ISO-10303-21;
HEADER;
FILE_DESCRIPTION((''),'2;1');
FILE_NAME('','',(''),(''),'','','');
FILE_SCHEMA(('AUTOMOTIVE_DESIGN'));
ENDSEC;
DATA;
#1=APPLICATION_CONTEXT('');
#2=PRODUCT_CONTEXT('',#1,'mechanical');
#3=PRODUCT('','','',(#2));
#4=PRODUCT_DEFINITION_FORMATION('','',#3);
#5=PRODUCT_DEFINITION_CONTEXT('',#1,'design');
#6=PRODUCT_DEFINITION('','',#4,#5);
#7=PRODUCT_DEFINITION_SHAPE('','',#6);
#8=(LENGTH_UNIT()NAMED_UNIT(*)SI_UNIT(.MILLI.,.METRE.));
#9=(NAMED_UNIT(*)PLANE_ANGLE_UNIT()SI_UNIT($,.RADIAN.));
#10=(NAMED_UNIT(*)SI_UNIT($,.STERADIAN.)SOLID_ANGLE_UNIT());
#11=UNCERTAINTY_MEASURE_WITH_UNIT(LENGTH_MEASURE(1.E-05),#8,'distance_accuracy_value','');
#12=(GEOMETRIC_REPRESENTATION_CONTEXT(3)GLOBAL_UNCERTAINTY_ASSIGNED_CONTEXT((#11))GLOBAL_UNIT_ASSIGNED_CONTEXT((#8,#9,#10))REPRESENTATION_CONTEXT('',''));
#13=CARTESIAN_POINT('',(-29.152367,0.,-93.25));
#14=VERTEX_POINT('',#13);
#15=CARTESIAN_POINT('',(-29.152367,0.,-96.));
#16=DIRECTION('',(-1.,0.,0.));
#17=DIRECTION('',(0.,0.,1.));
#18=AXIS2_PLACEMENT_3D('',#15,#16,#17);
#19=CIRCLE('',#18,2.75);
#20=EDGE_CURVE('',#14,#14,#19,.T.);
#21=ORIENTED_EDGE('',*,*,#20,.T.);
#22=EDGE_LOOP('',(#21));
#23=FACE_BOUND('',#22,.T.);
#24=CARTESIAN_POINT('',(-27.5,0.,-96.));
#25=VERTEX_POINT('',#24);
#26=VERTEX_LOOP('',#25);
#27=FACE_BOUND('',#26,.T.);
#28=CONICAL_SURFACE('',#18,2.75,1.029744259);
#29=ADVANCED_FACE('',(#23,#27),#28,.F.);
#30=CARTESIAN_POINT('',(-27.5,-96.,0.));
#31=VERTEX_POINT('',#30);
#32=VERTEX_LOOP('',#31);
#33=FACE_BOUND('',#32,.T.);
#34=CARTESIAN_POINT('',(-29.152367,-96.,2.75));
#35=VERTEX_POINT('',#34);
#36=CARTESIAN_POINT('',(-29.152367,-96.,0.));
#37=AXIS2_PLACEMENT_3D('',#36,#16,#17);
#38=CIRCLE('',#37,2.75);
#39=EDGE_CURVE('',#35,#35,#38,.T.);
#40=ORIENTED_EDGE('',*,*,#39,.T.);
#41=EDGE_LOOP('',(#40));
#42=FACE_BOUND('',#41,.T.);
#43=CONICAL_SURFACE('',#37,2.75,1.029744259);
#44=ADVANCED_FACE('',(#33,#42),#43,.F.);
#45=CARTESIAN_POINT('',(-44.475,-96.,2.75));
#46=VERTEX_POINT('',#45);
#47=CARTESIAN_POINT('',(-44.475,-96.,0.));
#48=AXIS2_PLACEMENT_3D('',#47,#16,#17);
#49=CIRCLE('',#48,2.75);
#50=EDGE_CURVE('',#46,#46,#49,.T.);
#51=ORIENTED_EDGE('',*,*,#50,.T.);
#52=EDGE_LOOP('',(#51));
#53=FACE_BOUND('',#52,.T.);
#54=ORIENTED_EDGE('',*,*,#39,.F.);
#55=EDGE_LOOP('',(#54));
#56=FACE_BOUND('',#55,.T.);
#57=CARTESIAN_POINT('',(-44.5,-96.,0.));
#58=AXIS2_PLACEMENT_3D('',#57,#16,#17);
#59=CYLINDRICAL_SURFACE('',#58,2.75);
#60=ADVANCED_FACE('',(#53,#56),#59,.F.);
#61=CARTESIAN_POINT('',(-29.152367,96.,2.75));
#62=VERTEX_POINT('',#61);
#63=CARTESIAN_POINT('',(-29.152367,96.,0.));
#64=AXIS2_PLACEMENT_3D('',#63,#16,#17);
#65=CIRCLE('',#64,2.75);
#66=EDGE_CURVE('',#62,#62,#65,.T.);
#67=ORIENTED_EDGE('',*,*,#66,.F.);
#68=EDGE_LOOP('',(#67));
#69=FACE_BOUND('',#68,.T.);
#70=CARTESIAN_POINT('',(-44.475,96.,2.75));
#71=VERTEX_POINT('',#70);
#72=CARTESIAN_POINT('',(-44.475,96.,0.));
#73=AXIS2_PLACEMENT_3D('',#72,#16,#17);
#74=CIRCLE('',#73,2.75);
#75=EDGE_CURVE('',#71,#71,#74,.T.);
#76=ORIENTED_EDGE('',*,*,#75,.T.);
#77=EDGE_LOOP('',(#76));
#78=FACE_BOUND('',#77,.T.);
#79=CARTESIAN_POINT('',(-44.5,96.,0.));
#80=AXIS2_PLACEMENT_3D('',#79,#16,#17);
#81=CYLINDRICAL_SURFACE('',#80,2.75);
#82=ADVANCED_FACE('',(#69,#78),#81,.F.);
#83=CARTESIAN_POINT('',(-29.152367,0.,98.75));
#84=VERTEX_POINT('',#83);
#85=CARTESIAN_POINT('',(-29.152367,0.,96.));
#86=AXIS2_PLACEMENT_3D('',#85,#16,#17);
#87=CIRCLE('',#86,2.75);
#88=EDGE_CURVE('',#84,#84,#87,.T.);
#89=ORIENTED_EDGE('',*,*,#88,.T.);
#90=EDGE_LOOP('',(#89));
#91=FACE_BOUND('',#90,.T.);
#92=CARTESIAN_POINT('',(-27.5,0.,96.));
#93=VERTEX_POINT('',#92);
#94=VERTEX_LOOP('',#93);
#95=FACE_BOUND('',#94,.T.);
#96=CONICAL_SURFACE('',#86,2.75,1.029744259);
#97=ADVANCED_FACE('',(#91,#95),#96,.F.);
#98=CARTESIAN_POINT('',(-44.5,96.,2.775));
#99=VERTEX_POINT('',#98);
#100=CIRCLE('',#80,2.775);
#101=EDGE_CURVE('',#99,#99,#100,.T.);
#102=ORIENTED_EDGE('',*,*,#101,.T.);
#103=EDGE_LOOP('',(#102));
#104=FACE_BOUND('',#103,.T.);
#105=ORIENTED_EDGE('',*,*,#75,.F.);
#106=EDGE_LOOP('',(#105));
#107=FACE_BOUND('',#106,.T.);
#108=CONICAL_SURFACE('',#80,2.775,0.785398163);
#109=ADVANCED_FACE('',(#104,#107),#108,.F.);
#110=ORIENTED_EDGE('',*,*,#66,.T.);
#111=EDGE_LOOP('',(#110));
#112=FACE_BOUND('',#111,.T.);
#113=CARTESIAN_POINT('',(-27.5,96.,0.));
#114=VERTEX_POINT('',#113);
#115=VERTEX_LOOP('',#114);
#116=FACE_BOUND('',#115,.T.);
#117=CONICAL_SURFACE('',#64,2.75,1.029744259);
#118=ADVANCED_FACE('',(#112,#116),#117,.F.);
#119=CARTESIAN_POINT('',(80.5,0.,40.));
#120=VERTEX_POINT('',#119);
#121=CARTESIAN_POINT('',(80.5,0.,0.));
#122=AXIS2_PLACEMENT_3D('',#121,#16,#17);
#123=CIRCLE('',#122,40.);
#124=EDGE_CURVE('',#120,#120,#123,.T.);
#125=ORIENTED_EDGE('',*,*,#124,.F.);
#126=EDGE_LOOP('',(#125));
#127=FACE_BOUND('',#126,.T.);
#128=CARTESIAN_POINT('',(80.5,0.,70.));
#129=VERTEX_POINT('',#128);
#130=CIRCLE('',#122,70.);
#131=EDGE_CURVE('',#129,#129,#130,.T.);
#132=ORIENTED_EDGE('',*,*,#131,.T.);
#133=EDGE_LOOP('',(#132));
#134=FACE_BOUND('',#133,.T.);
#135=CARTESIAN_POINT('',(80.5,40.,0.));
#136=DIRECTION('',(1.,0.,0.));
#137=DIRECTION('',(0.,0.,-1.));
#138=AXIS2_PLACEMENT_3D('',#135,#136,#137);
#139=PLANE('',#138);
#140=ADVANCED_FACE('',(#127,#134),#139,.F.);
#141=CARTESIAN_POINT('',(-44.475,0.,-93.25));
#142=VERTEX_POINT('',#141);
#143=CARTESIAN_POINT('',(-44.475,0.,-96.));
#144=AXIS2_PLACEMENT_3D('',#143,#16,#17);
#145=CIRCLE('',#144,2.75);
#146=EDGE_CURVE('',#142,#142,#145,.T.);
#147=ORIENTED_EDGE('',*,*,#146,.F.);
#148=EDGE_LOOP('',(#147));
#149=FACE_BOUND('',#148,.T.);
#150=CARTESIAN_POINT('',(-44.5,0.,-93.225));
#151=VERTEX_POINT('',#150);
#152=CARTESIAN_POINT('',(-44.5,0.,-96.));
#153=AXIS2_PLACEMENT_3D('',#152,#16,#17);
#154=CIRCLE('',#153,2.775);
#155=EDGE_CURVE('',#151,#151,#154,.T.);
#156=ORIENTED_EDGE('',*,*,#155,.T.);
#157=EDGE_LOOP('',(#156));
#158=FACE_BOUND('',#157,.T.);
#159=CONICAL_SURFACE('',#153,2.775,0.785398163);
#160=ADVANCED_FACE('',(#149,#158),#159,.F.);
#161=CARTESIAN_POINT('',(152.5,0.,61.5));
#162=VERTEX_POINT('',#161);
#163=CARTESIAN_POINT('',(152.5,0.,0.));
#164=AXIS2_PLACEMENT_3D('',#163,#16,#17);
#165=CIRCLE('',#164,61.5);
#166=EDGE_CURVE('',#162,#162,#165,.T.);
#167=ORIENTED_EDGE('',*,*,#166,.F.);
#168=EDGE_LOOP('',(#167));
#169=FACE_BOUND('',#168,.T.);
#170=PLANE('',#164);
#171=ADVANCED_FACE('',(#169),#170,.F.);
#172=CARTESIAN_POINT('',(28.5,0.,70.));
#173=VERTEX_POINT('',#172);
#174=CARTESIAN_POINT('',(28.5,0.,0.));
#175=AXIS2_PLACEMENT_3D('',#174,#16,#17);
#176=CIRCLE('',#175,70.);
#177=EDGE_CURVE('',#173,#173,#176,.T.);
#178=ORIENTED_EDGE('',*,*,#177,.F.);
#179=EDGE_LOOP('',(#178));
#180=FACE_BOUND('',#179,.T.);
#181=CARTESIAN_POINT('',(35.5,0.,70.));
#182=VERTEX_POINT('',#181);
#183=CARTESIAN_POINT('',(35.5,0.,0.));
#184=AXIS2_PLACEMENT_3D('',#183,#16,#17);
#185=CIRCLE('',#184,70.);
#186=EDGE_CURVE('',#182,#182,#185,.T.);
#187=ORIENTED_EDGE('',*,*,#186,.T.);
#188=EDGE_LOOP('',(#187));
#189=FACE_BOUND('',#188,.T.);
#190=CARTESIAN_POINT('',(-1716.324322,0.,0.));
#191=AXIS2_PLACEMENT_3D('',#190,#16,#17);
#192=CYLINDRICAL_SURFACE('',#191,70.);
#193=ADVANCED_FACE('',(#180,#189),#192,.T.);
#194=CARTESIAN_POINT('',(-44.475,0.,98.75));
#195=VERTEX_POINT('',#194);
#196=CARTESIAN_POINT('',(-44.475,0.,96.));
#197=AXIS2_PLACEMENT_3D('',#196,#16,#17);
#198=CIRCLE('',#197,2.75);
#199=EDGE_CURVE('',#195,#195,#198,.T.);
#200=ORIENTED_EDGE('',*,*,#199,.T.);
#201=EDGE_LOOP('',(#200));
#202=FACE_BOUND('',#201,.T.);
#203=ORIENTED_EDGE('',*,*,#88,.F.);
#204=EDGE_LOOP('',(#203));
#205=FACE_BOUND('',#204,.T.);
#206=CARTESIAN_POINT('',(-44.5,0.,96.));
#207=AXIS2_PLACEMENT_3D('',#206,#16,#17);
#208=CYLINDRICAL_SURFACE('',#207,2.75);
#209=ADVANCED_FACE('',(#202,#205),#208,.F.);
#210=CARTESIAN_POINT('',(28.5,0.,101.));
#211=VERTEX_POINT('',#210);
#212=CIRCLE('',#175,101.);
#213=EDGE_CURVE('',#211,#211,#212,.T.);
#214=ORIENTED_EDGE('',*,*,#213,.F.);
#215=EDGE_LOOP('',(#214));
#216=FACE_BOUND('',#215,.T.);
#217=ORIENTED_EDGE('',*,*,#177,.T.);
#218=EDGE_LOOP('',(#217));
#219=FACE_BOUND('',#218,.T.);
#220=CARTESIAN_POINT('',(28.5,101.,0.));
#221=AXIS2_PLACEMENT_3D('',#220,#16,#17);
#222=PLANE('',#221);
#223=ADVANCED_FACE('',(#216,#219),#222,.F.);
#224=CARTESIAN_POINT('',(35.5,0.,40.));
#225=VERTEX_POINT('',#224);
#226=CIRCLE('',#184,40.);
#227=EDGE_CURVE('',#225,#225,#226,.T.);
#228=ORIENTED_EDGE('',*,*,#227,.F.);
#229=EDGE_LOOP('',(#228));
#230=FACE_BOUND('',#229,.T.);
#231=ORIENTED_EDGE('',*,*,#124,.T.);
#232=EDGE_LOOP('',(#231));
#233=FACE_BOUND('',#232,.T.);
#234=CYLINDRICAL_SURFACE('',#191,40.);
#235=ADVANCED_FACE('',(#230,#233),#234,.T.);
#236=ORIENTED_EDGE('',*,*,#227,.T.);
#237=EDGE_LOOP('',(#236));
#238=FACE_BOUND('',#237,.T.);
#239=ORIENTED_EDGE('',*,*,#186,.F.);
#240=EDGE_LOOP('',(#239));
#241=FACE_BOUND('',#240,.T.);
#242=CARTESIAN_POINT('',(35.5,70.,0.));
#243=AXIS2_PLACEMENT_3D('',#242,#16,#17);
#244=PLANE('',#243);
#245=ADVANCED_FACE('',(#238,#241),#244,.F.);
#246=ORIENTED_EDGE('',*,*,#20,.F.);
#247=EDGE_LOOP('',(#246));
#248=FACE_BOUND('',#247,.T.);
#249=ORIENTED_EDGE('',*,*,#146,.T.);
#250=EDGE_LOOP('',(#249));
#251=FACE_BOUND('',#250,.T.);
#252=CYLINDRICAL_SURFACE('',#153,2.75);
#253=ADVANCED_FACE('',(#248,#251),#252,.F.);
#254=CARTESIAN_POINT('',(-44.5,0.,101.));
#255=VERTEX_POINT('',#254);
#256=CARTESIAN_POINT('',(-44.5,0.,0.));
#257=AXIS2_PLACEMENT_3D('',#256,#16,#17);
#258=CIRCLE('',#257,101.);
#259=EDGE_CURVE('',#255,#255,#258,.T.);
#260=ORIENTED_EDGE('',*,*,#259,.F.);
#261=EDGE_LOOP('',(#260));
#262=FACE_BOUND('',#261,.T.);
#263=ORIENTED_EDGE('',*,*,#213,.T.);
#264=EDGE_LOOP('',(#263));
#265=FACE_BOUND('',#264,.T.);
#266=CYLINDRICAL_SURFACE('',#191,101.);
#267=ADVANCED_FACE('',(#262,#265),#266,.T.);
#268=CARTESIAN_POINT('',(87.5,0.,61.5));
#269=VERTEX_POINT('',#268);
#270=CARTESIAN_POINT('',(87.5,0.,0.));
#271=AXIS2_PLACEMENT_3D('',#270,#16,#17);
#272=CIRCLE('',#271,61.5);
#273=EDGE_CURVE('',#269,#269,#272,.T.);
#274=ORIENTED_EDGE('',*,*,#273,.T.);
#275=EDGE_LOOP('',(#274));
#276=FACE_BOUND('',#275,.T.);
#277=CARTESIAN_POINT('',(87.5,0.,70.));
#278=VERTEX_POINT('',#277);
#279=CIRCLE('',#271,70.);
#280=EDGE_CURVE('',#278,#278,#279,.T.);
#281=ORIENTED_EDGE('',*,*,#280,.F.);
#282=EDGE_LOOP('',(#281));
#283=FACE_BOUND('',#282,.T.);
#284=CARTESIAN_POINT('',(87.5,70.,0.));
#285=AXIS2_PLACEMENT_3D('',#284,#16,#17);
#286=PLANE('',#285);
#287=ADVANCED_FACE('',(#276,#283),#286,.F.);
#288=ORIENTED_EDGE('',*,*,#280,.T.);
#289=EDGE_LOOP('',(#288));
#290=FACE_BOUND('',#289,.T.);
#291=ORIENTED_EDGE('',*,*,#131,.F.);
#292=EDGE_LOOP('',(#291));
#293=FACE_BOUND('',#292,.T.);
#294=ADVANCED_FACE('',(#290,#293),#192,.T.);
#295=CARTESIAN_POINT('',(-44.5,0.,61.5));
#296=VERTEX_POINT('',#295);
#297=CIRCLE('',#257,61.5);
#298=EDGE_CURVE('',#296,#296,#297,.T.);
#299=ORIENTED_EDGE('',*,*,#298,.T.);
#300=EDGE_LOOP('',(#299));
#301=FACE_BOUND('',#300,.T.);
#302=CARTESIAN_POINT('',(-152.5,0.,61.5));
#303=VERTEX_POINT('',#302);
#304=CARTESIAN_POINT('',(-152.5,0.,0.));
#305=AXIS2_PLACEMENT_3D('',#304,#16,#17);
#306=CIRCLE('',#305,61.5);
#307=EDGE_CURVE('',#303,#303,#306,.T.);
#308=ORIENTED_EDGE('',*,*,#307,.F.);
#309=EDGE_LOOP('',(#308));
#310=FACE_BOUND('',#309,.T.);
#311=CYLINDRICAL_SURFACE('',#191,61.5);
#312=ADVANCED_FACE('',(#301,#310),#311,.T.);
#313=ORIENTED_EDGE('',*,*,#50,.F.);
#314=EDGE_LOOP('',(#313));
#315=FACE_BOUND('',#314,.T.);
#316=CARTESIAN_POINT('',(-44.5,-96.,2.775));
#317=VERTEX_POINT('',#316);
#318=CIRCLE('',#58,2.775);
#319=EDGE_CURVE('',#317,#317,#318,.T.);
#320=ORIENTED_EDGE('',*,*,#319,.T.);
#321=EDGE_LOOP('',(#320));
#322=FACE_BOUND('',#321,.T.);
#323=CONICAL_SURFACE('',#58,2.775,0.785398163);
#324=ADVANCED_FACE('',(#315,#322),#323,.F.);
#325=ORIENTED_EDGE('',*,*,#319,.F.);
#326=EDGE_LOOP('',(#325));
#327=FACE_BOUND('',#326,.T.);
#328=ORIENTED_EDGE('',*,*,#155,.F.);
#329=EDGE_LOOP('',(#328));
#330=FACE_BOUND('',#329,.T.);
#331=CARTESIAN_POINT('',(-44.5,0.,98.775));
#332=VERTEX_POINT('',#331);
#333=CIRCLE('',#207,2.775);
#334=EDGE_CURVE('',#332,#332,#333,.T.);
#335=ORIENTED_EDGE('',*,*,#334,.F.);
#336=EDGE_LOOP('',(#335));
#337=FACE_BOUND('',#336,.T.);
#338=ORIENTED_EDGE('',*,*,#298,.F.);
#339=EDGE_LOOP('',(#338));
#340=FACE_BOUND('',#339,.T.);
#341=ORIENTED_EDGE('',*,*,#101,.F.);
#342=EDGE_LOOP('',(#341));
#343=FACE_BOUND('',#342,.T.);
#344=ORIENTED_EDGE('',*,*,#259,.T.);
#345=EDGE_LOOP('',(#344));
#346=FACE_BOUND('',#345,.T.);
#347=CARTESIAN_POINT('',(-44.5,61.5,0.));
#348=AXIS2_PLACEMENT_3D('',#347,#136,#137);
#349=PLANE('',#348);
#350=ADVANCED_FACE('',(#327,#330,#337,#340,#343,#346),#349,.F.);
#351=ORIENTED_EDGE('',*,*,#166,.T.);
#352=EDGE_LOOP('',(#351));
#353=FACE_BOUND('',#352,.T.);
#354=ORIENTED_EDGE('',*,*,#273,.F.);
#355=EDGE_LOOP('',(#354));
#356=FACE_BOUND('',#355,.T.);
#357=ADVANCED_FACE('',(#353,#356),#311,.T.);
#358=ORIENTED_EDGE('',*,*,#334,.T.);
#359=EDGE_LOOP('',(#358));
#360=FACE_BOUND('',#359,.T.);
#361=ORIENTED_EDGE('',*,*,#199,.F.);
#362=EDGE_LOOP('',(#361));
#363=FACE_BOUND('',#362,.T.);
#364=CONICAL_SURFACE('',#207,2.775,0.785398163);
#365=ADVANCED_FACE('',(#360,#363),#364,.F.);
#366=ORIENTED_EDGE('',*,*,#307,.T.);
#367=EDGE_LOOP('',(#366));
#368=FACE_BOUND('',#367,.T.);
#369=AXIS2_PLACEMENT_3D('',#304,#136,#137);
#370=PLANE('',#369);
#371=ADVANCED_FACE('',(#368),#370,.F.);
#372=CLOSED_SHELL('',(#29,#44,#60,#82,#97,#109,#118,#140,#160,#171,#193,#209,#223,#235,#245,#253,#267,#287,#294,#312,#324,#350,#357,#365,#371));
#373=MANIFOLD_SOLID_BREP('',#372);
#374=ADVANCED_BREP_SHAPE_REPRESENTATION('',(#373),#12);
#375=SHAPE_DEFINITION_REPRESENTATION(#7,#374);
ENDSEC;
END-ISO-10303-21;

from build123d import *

# Parameters (mm, degrees)
FORO_PER_VITE_M5_1_D           = 5.5
FORO_PER_VITE_M5_1_DEPTH       = 15.347633298
FORO_PER_VITE_M5_1_CSINK_D     = 5.55
FORO_PER_VITE_M5_1_CSINK_ANGLE = 90
FORO_PER_VITE_M5_1_TIP         = 1.652366702


with BuildPart() as part:
    # Schizzo1 → Rivoluzione1 (revolve)
    with BuildSketch(Plane.XY, mode=Mode.PRIVATE) as rivoluzione1_sk:
        Polygon((-152.5, 0), (152.5, 0), (152.5, 61.5), (87.5, 61.5), (87.5, 70), (80.5, 70), (80.5, 40), (35.5, 40), (35.5, 70), (28.5, 70), (28.5, 101), (-44.5, 101), (-44.5, 61.5), (-152.5, 61.5), align=None)
    revolve(rivoluzione1_sk.sketch.rotate(Axis((-1716.324322208, 0, 0), (1, 0, 0)), 90), axis=Axis((-1716.324322208, 0, 0), (1, 0, 0)))

    # Foro per Vite M5-1
    with Locations(Plane(origin=(-44.5, 96, 0), x_dir=(0, 0, -1), z_dir=(-1, 0, 0))):
        with Locations((0, 0), (-96, 96), (0, 192), (96, 96)):
            CounterSinkHole(FORO_PER_VITE_M5_1_D / 2, FORO_PER_VITE_M5_1_CSINK_D / 2, depth=FORO_PER_VITE_M5_1_DEPTH, counter_sink_angle=FORO_PER_VITE_M5_1_CSINK_ANGLE)
            with Locations((0, 0, -(FORO_PER_VITE_M5_1_DEPTH + FORO_PER_VITE_M5_1_TIP / 2))):  # 118° drill point
                Cone(0, FORO_PER_VITE_M5_1_D / 2, FORO_PER_VITE_M5_1_TIP, mode=Mode.SUBTRACT)


solid = part.part
